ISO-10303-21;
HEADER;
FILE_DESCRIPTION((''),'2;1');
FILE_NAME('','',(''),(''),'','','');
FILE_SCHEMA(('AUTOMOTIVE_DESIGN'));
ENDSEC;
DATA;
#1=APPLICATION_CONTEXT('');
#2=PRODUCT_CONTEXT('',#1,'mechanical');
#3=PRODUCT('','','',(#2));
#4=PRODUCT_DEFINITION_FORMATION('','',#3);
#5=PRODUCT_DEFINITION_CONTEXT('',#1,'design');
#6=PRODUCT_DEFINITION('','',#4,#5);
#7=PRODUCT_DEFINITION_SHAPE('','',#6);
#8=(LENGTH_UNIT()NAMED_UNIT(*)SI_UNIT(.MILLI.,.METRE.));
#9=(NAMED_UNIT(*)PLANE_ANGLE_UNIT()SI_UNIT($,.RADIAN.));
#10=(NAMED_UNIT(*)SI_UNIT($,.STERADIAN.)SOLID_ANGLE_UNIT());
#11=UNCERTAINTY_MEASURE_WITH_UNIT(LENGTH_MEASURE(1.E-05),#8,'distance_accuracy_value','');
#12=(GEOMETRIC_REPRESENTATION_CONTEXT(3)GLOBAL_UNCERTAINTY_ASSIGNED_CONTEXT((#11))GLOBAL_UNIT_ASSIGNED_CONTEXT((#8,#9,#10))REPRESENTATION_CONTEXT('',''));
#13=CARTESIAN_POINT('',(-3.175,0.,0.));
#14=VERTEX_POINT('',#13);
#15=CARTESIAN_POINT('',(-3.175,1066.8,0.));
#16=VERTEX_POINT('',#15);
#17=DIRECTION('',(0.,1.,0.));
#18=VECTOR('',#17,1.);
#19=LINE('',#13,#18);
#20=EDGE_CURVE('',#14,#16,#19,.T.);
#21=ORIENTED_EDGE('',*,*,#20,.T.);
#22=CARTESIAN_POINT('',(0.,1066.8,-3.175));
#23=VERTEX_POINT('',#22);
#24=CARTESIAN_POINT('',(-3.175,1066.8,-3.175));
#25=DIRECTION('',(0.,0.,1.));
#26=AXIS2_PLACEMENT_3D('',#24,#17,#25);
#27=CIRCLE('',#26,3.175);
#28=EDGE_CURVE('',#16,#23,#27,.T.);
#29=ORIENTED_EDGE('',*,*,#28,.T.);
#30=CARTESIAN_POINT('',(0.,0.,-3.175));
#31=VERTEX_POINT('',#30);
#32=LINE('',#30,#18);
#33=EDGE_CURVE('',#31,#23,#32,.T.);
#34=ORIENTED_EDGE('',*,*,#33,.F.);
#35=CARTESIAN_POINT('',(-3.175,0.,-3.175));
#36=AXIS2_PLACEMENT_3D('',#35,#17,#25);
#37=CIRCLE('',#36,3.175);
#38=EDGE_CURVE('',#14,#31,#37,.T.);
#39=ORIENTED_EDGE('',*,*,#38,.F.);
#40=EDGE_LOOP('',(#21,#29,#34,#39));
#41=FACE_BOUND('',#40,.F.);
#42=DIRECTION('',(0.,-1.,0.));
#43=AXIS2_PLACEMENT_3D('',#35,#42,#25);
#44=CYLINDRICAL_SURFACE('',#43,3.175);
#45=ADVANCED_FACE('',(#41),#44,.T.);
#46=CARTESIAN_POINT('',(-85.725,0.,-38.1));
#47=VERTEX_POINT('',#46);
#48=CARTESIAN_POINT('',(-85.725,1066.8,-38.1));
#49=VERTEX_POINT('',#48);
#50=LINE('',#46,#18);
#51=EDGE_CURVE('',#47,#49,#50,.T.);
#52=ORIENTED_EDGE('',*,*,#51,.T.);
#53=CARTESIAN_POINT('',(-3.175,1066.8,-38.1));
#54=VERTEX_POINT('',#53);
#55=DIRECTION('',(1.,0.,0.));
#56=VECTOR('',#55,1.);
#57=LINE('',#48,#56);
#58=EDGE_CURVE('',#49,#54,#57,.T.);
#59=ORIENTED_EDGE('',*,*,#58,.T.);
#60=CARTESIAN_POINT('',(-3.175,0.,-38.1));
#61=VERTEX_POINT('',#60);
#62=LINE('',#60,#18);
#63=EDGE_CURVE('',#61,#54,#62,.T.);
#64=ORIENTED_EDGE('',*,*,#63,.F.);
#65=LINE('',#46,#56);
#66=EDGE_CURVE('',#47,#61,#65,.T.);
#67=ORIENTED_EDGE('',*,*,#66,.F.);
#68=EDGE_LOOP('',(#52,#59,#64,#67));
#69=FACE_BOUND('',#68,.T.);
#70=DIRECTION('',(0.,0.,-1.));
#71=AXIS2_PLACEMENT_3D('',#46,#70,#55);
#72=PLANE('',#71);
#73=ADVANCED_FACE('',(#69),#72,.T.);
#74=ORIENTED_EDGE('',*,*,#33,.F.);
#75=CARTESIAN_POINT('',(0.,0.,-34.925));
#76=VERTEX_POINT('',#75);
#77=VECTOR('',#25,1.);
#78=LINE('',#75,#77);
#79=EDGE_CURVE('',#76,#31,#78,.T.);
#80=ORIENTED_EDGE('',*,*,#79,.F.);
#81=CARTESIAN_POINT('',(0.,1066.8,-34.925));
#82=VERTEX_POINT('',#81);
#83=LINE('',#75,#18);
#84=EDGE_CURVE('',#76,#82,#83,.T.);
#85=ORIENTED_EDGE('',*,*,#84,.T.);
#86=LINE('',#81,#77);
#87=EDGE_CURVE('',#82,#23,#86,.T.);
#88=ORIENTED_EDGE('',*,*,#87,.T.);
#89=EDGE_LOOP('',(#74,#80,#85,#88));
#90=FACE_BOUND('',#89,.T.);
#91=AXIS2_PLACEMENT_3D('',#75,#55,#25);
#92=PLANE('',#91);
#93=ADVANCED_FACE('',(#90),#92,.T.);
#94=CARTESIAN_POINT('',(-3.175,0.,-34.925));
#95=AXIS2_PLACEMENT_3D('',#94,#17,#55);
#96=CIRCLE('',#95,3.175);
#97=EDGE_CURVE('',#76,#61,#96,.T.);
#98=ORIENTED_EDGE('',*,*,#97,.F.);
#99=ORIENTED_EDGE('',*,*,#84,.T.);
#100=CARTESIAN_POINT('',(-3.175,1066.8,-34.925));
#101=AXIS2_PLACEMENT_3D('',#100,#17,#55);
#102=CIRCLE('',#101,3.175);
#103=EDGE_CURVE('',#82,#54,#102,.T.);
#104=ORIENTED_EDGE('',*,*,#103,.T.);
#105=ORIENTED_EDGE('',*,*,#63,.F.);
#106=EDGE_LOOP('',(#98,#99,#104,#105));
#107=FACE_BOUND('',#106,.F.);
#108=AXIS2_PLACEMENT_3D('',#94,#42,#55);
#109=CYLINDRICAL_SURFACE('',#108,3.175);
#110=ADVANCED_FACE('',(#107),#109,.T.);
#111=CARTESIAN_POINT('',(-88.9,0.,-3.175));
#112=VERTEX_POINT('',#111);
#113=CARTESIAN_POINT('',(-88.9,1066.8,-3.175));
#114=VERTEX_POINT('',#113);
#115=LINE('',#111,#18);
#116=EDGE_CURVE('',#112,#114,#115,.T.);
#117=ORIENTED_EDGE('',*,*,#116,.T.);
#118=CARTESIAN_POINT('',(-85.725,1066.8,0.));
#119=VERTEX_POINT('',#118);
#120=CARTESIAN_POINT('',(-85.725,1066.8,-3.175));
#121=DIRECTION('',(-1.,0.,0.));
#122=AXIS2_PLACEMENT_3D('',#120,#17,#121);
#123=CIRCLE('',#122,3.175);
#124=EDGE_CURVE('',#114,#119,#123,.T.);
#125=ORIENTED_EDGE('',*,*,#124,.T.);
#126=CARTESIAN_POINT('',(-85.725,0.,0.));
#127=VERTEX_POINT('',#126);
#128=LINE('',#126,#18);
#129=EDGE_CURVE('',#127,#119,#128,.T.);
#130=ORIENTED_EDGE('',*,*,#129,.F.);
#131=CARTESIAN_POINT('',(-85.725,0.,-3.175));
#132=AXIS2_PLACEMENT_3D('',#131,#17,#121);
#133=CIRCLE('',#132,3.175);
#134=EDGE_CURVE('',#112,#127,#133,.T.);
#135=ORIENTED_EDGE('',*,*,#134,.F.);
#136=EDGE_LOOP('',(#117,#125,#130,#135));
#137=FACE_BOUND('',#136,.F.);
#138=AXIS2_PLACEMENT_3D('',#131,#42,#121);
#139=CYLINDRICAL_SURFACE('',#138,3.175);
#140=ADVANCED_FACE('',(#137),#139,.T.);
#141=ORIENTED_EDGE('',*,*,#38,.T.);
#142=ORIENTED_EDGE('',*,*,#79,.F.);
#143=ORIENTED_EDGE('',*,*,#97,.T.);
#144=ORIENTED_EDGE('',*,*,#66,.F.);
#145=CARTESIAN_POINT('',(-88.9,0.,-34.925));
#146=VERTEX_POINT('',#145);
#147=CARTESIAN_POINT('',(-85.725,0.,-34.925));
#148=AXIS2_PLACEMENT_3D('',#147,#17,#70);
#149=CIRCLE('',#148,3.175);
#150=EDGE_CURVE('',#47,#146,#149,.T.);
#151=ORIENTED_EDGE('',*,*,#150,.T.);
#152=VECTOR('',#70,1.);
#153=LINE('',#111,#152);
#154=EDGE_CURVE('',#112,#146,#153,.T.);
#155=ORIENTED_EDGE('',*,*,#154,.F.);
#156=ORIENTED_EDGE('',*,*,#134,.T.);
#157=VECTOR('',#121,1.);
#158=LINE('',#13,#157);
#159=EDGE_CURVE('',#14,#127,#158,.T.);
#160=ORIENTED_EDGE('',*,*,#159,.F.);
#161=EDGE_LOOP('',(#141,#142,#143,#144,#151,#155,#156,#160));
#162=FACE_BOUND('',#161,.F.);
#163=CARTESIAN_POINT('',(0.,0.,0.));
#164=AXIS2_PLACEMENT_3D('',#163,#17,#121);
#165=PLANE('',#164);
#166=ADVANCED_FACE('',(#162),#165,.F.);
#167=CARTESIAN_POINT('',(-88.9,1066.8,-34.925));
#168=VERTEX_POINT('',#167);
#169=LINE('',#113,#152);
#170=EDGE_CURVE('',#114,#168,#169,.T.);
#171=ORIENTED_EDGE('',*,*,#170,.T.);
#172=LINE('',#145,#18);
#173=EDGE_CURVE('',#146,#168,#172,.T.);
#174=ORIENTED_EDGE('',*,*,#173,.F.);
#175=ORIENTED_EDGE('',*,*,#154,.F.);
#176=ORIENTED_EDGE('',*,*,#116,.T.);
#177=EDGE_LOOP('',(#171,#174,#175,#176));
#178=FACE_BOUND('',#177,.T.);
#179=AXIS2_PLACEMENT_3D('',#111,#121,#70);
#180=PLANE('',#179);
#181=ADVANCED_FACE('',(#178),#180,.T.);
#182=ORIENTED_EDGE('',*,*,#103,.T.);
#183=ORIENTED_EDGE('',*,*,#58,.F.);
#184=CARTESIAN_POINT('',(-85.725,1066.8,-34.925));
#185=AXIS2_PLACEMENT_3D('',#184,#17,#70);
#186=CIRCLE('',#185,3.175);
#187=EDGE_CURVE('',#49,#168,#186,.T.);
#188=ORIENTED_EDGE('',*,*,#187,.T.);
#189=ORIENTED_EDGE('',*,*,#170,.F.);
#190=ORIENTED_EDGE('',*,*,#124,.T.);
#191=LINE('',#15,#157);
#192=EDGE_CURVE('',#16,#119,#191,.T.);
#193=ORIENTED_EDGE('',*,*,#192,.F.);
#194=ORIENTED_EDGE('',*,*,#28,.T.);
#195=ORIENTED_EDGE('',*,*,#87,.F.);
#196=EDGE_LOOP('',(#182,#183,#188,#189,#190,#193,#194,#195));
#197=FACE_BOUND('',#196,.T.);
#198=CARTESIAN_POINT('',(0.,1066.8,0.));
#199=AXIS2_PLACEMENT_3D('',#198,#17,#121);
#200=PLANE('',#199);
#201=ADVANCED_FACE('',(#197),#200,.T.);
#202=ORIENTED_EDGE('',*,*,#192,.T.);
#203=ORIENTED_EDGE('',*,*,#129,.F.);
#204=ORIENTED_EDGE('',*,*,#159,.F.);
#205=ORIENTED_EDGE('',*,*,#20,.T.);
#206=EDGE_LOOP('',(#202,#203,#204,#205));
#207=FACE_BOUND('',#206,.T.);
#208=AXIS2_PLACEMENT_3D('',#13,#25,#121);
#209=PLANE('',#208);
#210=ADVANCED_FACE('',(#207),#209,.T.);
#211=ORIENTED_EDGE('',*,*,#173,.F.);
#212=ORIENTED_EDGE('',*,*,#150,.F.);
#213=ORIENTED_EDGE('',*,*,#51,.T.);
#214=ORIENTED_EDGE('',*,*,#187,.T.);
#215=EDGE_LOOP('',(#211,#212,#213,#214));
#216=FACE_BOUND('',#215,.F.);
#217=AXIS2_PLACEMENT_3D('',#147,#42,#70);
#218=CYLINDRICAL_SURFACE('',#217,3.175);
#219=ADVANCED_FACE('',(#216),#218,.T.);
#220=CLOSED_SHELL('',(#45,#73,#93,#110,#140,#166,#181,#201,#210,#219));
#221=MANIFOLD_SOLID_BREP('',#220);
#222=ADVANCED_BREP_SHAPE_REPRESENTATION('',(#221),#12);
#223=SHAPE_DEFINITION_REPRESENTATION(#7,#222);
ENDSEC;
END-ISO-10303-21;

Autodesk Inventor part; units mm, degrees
ref_plane "YZ Plane" through (0, 0, 0) normal (1, 0, 0) x (0, 1, 0)
ref_plane "XZ Plane" through (0, 0, 0) normal (0, 1, 0) x (-1, 0, 0)
ref_plane "XY Plane" through (0, 0, 0) normal (0, 0, 1) x (1, 0, 0)
sketch "Sketch1" plane through (0, 0, 0) normal (0, 1, 0) x (-1, 0, 0)
  line L0 (3.175, 0) -> (85.725, 0)
  line L1 (88.9, -3.175) -> (88.9, -34.925)
  line L2 (85.725, -38.1) -> (3.175, -38.1)
  line L3 (0, -34.925) -> (0, -3.175)
  arc A0 (88.9, -3.175) -> (85.725, 0) centre (85.725, -3.175) ccw
  arc A1 (85.725, -38.1) -> (88.9, -34.925) centre (85.725, -34.925) ccw
  arc A2 (0, -34.925) -> (3.175, -38.1) centre (3.175, -34.925) ccw
  arc A3 (3.175, 0) -> (0, -3.175) centre (3.175, -3.175) ccw
  point P0 (0, 0)
  point P1 (88.9, -38.1)
  point P2 (88.9, 0)
  point P3 (0, -38.1)
  dimension "d0" = 88.9
  dimension "d1" = 38.1
  dimension "d2" = 3.175
extrude "Extrusion1" add sketch "Sketch1" along normal blind 1066.8
sketch "Sketch2" plane through (-3.175, 0, -38.1) normal (0, 0, -1) x (-1, 0, 0)
  line L0 (0, 0) -> (82.55, 0) construction
  line L1 (82.55, 0) -> (82.55, 1066.8) construction
  line L2 (0, 1066.8) -> (82.55, 1066.8) construction
  line L3 (0, 0) -> (0, 1066.8) construction
  line L4 (60.325, 1066.8) -> (60.325, 800.1) construction
  line L5 (60.325, 800.1) -> (60.325, 533.4) construction
  line L6 (60.325, 533.4) -> (60.325, 266.7) construction
  line L7 (60.325, 266.7) -> (60.325, 0) construction
  circle A0 centre (60.325, 826.3001) radius 1.5875
  circle A1 centre (60.325, 773.8999) radius 1.5875
  circle A2 centre (60.325, 559.6001) radius 1.5875
  circle A3 centre (60.325, 507.1999) radius 1.5875
  circle A4 centre (60.325, 292.9001) radius 1.5875
  circle A5 centre (60.325, 240.4999) radius 1.5875
  line L8 (85.725, 0) -> (85.725, 1066.8) projected
  line L9 (60.325, 800.1) -> (22.225, 800.1) construction
  circle A6 centre (22.225, 800.1) radius 1.5875
  line L10 (60.325, 533.4) -> (22.225, 533.4) construction
  circle A7 centre (22.225, 533.4) radius 1.5875
  line L11 (60.325, 266.7) -> (22.225, 266.7) construction
  circle A8 centre (22.225, 266.7) radius 1.5875
  point P0 (-3.175, 0)
  point P1 (85.725, 533.4)
  dimension "d5" = 3.175
  dimension "d6" = 26.2001
  dimension "d7" = 26.2001
  dimension "d8" = 3.175
  dimension "d9" = 26.2001
  dimension "d10" = 26.2001
  dimension "d11" = 3.175
  dimension "d12" = 26.2001
  dimension "d13" = 26.2001
  dimension "d16" = 25.4
  dimension "d17" = 38.1
  dimension "d18" = 38.1
  dimension "d19" = 38.1
extrude "Extrusion2" [suppressed]
equation "\"d7\" = d6"
equation "\"d10\" = d9"
equation "\"d13\" = d12"
properties part number "Vertical Beam 4ft" material "Wood (Birch)"
